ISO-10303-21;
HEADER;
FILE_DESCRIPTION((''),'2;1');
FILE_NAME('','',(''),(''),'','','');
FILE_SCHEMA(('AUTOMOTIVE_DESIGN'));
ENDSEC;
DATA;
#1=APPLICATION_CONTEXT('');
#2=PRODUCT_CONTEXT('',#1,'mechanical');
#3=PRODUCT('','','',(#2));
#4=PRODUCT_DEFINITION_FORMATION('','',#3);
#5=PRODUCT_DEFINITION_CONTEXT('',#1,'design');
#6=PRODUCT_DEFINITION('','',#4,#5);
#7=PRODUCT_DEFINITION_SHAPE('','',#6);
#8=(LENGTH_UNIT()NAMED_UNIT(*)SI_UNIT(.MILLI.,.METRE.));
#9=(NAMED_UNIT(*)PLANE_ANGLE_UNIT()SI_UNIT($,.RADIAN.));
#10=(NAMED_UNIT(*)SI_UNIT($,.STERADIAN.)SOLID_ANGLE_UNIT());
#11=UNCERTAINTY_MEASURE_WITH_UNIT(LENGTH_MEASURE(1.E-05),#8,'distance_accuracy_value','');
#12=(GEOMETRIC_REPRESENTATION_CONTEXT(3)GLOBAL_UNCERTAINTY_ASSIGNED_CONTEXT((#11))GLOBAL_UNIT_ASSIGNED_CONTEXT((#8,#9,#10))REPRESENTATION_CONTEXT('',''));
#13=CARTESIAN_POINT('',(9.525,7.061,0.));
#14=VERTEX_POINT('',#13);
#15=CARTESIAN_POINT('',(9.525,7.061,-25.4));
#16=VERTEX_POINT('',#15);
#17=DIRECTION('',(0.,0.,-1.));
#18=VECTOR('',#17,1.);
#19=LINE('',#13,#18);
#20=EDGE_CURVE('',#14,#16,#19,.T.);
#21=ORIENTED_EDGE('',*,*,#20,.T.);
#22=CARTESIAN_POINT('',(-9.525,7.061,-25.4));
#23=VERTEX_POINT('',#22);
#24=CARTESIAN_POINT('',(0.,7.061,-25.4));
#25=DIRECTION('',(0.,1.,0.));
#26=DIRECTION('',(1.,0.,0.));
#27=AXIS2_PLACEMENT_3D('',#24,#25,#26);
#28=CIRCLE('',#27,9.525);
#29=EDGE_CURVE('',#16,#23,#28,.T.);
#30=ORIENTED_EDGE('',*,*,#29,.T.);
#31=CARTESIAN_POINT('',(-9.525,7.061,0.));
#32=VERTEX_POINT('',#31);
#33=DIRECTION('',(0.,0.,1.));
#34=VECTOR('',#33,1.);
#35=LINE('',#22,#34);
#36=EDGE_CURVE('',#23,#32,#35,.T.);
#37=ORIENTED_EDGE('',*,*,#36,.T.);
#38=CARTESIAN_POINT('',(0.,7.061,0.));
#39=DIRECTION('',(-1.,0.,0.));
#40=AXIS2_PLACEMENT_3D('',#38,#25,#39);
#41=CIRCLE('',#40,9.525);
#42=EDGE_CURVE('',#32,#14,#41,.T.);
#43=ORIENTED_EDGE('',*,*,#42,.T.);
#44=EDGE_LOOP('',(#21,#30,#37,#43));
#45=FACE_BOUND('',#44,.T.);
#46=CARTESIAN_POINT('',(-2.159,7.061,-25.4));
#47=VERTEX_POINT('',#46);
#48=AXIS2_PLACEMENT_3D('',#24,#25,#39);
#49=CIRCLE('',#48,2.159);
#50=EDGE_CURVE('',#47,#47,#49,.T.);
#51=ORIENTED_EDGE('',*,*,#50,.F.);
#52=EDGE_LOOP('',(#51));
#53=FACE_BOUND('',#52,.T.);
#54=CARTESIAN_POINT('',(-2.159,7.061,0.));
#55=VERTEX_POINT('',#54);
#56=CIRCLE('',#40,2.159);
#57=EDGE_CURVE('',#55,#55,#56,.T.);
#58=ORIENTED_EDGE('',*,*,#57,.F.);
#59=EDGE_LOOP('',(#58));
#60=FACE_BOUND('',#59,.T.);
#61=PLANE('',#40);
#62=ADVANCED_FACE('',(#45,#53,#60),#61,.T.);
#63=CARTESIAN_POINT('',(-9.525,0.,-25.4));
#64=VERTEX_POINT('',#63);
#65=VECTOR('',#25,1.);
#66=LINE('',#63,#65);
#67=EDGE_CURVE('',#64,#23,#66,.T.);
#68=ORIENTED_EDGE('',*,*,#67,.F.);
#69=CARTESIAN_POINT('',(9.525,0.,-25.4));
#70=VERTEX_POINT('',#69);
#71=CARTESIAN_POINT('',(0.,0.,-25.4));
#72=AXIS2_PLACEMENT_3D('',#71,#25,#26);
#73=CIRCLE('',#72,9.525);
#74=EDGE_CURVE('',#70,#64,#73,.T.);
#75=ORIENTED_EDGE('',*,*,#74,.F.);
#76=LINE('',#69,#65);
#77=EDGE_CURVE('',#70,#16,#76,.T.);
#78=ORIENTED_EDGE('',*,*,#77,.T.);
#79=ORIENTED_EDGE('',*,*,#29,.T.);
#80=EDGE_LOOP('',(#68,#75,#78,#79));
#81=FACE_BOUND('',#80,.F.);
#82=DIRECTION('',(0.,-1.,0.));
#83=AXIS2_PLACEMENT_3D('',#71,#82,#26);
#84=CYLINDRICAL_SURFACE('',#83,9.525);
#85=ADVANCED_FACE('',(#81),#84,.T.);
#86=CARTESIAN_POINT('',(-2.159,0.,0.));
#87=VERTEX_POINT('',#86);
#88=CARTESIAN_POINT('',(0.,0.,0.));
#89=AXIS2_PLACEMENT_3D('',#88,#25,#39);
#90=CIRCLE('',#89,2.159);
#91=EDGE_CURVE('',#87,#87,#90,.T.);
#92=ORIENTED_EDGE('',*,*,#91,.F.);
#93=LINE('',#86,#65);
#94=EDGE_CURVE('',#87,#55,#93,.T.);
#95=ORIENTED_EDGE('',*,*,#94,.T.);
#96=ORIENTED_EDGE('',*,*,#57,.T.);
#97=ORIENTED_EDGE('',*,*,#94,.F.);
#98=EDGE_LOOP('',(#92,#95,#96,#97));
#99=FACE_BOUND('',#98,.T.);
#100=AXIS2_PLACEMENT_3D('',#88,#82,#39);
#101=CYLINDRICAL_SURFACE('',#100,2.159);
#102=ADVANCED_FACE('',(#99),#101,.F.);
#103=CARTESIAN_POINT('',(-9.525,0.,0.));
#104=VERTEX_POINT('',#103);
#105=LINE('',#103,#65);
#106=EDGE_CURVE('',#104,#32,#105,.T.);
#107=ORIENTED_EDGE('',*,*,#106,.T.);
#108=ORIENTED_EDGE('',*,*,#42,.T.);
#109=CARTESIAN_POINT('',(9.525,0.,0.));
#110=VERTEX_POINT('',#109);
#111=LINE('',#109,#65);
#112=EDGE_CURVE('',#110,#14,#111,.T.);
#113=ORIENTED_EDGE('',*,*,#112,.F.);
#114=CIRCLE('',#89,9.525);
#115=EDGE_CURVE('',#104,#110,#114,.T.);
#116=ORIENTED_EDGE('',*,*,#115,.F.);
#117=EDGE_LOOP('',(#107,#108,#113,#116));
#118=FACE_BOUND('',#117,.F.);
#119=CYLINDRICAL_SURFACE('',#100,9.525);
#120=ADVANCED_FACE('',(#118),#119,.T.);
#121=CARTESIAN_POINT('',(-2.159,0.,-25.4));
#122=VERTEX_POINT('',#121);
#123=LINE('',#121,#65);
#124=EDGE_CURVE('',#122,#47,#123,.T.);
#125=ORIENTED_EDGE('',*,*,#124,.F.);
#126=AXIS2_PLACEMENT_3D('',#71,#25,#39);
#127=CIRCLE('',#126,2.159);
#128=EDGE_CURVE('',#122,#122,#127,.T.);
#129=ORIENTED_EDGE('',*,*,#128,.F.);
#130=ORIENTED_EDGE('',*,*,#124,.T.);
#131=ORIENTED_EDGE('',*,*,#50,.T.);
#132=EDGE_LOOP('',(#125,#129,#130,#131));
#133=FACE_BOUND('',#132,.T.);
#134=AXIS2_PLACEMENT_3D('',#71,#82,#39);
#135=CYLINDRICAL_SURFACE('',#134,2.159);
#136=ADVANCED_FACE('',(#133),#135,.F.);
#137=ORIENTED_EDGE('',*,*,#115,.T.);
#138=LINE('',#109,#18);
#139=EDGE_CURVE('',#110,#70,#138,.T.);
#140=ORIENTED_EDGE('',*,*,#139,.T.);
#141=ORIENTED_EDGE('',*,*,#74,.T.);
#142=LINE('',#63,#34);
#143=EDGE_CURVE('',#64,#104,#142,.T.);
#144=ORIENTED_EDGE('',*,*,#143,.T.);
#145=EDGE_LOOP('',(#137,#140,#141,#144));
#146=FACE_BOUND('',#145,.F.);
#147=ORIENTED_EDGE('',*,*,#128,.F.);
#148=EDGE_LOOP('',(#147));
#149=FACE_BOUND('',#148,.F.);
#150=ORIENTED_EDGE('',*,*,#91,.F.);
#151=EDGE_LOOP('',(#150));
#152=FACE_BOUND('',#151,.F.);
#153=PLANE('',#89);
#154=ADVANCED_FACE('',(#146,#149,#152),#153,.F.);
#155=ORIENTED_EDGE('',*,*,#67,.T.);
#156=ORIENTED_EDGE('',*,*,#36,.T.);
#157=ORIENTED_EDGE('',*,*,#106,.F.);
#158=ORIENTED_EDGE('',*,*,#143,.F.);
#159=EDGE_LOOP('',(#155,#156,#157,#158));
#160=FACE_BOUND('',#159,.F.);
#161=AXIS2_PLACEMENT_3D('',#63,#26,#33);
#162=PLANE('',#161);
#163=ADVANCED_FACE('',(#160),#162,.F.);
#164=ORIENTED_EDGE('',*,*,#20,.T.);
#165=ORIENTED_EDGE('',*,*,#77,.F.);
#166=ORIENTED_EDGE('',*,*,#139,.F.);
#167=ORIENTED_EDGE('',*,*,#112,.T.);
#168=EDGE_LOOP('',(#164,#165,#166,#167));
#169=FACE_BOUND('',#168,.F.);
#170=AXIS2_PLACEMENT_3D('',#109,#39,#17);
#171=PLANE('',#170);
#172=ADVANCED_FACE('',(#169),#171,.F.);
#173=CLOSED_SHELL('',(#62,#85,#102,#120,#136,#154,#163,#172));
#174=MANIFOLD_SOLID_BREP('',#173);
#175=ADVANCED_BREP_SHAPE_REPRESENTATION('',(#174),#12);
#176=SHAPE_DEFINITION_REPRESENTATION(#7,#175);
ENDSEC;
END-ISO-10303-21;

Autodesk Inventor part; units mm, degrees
ref_plane "YZ Plane" through (0, 0, 0) normal (1, 0, 0) x (0, 1, 0)
ref_plane "XZ Plane" through (0, 0, 0) normal (0, 1, 0) x (-1, 0, 0)
ref_plane "XY Plane" through (0, 0, 0) normal (0, 0, 1) x (1, 0, 0)
sketch "Sketch1" plane through (0, 0, 0) normal (0, 1, 0) x (-1, 0, 0)
  circle A0 centre (0, 0) radius 2.159
  circle A1 centre (0, -25.4) radius 2.159
  line L0 (0, 0) -> (0, -25.4) construction
  line L1 (-9.525, 0) -> (-9.525, -25.4)
  line L2 (9.525, -25.4) -> (9.525, 0)
  arc A2 (9.525, 0) -> (-9.525, 0) centre (0, 0) ccw
  arc A3 (-9.525, -25.4) -> (9.525, -25.4) centre (0, -25.4) ccw
  point P0 (0, -12.7)
  dimension "d0" = 4.318
  dimension "d2" = 25.4
  dimension "d3" = 19.05
extrude "Extrusion1" add sketch "Sketch1" along normal blind 7.061
properties part number "Large Motor Spacer" material "PET Plastic"
